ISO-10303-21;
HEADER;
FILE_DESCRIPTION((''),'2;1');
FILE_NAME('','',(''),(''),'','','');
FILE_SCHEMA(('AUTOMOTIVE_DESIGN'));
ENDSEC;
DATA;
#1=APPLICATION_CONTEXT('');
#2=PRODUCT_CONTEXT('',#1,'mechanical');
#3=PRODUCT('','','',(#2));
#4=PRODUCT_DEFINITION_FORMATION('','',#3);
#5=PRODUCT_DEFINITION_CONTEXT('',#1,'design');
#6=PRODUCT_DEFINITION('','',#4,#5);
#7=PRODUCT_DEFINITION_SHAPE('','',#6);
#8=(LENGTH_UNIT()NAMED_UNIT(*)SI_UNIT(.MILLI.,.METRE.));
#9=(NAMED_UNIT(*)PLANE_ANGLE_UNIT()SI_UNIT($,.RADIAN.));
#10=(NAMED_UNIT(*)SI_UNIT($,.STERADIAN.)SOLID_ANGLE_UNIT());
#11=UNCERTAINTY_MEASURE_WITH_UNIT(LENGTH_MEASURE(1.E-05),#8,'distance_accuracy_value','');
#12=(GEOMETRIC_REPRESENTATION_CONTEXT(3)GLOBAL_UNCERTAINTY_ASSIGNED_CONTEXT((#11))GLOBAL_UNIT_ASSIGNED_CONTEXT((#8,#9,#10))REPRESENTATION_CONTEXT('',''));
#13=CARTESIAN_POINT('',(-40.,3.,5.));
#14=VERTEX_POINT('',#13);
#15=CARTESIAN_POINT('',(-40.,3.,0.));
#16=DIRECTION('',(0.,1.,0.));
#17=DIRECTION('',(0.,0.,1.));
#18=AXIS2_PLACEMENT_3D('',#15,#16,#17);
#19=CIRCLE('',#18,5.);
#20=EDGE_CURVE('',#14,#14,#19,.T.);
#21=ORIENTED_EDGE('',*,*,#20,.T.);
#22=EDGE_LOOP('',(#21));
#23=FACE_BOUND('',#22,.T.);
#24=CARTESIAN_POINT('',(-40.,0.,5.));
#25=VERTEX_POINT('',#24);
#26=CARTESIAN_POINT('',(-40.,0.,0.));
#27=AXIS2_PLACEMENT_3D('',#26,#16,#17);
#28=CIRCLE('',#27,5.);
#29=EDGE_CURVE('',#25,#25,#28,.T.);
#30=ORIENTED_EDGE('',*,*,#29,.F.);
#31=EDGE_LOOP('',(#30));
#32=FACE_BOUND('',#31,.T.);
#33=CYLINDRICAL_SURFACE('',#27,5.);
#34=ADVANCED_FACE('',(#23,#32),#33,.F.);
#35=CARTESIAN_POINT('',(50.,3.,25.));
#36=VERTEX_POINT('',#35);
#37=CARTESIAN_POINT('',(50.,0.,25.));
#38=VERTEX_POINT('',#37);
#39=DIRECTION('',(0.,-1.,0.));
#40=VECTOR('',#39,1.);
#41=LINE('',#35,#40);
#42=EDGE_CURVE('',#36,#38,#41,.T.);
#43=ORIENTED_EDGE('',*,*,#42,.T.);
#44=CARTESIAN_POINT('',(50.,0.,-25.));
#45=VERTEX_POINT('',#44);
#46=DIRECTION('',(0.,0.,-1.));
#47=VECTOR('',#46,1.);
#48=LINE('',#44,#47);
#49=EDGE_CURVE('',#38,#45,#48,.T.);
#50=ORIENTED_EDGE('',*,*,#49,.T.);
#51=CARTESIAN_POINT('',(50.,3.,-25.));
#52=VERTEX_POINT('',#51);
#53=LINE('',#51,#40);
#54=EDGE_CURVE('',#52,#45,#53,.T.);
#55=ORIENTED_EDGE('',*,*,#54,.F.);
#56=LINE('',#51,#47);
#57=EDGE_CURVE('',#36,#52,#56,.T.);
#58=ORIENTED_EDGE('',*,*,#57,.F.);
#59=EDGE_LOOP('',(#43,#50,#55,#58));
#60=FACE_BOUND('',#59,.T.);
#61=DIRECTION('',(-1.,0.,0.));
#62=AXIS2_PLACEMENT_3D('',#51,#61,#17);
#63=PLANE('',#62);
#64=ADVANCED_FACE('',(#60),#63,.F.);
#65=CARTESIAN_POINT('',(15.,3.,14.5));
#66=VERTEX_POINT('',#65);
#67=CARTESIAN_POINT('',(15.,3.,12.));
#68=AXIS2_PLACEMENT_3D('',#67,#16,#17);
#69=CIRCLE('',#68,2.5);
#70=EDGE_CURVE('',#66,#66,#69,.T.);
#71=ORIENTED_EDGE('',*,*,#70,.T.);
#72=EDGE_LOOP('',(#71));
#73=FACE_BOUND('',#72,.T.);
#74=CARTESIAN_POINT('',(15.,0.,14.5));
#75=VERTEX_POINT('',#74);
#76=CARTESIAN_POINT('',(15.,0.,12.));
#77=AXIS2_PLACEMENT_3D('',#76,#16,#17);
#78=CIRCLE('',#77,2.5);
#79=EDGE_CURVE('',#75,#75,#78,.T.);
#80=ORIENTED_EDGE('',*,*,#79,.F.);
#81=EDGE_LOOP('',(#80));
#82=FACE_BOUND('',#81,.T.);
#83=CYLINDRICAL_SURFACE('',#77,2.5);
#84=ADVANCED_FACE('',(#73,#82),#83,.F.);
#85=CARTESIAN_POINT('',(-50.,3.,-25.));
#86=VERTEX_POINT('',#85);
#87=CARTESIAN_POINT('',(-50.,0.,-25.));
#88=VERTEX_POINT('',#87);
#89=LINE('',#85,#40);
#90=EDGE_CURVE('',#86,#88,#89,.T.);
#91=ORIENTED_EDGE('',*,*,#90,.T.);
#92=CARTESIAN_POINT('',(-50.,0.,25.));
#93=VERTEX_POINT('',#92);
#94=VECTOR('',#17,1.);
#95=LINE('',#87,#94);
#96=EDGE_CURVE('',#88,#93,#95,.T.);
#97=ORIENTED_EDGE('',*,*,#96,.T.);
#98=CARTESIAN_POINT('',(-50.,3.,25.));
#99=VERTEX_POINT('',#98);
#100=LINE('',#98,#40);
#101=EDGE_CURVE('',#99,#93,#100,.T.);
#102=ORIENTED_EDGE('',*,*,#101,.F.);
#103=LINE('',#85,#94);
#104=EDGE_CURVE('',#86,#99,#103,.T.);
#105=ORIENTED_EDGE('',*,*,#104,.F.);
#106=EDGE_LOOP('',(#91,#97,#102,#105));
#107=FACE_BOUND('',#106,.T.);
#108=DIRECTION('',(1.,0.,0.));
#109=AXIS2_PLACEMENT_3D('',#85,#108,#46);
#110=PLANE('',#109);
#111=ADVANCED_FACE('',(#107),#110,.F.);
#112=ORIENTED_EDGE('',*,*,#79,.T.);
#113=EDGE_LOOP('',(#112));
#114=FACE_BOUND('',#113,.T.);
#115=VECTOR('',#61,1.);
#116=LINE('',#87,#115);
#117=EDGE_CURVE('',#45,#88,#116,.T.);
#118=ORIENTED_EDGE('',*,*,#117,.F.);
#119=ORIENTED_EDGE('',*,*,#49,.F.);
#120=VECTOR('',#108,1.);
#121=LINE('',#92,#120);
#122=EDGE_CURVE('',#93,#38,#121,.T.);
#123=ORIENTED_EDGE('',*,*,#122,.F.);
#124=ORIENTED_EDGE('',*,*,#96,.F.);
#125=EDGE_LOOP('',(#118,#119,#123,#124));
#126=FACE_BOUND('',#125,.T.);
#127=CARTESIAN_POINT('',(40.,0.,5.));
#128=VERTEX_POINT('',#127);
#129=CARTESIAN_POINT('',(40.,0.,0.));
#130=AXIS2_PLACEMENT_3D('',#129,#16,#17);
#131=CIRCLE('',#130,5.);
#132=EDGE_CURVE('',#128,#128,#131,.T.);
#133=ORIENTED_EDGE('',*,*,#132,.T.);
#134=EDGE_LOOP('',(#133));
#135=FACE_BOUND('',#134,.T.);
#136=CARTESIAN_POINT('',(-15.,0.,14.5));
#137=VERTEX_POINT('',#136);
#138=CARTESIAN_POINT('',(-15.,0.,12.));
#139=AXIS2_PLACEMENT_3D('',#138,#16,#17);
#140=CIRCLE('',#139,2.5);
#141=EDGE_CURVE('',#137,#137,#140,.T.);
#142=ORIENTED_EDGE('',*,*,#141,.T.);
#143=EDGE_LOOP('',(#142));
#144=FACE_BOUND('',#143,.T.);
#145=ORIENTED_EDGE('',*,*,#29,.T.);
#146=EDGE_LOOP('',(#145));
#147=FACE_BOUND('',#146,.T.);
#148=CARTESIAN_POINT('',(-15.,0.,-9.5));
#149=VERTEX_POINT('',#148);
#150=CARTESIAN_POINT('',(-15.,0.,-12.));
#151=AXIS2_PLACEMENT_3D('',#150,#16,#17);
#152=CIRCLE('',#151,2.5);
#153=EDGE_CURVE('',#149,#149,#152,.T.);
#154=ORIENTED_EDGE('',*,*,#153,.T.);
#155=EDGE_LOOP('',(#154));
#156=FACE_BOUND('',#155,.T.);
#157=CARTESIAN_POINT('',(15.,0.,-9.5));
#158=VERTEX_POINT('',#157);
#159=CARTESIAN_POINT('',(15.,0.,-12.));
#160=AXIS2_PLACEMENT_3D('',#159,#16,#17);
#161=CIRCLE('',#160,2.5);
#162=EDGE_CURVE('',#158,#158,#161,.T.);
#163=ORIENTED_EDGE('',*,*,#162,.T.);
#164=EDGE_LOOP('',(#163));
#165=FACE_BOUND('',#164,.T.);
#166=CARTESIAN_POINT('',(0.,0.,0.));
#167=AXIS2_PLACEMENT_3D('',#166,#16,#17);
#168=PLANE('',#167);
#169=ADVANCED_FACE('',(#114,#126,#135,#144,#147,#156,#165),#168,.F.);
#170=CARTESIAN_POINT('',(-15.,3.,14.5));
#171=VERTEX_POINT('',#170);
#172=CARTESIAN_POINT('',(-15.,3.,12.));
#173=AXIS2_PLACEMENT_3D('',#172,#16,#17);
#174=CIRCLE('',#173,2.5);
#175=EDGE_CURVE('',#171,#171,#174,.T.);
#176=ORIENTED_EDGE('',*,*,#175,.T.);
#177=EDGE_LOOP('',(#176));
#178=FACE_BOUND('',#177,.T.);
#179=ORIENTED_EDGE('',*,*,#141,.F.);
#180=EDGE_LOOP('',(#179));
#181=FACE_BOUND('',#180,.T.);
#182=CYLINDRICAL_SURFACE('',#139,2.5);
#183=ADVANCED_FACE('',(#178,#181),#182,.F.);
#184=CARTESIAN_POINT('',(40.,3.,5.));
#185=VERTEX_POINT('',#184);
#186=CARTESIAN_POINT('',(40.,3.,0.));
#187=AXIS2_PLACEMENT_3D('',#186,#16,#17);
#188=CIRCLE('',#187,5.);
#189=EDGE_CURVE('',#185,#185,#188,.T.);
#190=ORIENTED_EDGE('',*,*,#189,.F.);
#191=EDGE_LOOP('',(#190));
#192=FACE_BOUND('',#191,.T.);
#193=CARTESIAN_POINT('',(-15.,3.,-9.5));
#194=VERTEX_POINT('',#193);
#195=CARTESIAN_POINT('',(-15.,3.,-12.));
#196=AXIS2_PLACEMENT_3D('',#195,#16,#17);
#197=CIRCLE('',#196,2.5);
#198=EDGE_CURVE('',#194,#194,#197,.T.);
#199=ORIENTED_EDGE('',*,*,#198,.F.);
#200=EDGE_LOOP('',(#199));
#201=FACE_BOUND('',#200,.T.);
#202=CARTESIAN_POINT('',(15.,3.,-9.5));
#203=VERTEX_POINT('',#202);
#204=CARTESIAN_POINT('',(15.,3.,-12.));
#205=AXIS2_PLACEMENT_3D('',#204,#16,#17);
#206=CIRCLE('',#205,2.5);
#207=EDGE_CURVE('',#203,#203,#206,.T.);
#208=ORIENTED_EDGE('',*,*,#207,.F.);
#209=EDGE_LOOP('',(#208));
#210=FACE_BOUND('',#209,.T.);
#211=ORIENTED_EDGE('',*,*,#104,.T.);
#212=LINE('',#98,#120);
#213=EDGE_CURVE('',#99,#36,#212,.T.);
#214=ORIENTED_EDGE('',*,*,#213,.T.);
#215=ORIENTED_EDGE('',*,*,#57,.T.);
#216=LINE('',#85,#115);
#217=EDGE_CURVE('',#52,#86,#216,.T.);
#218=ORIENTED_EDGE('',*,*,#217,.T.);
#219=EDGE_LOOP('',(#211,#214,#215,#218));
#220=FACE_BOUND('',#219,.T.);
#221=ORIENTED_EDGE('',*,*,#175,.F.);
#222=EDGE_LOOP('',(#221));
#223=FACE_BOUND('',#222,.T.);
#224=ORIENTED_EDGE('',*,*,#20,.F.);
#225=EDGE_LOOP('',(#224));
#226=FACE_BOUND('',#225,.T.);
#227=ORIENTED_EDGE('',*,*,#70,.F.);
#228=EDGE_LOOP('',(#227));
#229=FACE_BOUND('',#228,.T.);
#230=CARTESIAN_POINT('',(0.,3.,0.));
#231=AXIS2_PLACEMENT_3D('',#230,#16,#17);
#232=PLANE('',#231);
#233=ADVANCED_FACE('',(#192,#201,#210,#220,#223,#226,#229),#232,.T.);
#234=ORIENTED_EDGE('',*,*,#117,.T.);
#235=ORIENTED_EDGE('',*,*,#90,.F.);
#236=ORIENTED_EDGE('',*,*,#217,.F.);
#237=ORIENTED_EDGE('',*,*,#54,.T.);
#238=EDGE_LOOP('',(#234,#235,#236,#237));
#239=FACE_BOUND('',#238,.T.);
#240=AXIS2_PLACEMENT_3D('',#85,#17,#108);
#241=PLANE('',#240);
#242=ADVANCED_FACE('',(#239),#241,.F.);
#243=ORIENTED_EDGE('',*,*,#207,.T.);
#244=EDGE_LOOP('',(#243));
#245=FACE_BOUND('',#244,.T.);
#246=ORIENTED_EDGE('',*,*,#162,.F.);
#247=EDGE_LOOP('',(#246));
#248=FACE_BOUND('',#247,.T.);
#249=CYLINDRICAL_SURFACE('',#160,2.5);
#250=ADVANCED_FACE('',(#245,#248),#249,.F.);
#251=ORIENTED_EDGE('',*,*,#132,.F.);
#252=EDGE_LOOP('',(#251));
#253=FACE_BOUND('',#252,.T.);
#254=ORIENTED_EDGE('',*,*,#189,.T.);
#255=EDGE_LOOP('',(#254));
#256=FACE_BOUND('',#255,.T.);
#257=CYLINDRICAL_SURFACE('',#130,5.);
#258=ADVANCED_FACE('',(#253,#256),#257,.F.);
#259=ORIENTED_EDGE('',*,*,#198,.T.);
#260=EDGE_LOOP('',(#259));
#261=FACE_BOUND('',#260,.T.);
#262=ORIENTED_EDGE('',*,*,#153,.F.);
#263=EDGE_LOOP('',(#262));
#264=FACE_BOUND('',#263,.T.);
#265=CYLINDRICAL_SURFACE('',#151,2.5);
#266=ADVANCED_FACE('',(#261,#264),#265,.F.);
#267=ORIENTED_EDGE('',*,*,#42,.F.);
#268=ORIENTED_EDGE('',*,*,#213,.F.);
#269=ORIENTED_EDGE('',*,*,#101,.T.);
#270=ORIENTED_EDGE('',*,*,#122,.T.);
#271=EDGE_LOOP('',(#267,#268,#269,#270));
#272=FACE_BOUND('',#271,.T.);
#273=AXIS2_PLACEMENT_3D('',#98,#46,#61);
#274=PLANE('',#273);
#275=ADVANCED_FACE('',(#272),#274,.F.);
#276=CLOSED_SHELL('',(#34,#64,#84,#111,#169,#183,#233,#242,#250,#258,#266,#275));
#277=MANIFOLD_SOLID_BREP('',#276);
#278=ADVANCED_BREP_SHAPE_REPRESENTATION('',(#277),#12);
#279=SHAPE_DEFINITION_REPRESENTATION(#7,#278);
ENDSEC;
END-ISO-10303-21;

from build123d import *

# Parameters (mm, degrees)
SKETCH2_W           = 100
SKETCH2_H           = 50
BOSS_EXTRUDE2_DEPTH = 3
SKETCH5_R           = 5
SKETCH5_R_2         = 2.5
CUT_EXTRUDE1_DEPTH  = 3


with BuildPart() as part:
    # Sketch2 → Boss-Extrude2 (new body)
    with BuildSketch(Plane(origin=(0, 0, 0), x_dir=(1, 0, 0), z_dir=(0, 1, 0))):
        Rectangle(SKETCH2_W, SKETCH2_H)
    extrude(amount=BOSS_EXTRUDE2_DEPTH)

    # Sketch5 → Cut-Extrude1 (cut)
    with BuildSketch(Plane(origin=(0, 3, 0), x_dir=(1, 0, 0), z_dir=(0, 1, 0))):
        with Locations(Location((-40, 0, 0), (0, 0, 270))):
            Circle(SKETCH5_R)
        with Locations(Location((40, 0, 0), (0, 0, 270))):
            Circle(SKETCH5_R)
        with Locations(Location((-15, 12, 0), (0, 0, 270))):
            Circle(SKETCH5_R_2)
        with Locations(Location((-15, -12, 0), (0, 0, 270))):
            Circle(SKETCH5_R_2)
        with Locations(Location((15, 12, 0), (0, 0, 270))):
            Circle(SKETCH5_R_2)
        with Locations(Location((15, -12, 0), (0, 0, 270))):
            Circle(SKETCH5_R_2)
    extrude(amount=-CUT_EXTRUDE1_DEPTH, mode=Mode.SUBTRACT)


solid = part.part
